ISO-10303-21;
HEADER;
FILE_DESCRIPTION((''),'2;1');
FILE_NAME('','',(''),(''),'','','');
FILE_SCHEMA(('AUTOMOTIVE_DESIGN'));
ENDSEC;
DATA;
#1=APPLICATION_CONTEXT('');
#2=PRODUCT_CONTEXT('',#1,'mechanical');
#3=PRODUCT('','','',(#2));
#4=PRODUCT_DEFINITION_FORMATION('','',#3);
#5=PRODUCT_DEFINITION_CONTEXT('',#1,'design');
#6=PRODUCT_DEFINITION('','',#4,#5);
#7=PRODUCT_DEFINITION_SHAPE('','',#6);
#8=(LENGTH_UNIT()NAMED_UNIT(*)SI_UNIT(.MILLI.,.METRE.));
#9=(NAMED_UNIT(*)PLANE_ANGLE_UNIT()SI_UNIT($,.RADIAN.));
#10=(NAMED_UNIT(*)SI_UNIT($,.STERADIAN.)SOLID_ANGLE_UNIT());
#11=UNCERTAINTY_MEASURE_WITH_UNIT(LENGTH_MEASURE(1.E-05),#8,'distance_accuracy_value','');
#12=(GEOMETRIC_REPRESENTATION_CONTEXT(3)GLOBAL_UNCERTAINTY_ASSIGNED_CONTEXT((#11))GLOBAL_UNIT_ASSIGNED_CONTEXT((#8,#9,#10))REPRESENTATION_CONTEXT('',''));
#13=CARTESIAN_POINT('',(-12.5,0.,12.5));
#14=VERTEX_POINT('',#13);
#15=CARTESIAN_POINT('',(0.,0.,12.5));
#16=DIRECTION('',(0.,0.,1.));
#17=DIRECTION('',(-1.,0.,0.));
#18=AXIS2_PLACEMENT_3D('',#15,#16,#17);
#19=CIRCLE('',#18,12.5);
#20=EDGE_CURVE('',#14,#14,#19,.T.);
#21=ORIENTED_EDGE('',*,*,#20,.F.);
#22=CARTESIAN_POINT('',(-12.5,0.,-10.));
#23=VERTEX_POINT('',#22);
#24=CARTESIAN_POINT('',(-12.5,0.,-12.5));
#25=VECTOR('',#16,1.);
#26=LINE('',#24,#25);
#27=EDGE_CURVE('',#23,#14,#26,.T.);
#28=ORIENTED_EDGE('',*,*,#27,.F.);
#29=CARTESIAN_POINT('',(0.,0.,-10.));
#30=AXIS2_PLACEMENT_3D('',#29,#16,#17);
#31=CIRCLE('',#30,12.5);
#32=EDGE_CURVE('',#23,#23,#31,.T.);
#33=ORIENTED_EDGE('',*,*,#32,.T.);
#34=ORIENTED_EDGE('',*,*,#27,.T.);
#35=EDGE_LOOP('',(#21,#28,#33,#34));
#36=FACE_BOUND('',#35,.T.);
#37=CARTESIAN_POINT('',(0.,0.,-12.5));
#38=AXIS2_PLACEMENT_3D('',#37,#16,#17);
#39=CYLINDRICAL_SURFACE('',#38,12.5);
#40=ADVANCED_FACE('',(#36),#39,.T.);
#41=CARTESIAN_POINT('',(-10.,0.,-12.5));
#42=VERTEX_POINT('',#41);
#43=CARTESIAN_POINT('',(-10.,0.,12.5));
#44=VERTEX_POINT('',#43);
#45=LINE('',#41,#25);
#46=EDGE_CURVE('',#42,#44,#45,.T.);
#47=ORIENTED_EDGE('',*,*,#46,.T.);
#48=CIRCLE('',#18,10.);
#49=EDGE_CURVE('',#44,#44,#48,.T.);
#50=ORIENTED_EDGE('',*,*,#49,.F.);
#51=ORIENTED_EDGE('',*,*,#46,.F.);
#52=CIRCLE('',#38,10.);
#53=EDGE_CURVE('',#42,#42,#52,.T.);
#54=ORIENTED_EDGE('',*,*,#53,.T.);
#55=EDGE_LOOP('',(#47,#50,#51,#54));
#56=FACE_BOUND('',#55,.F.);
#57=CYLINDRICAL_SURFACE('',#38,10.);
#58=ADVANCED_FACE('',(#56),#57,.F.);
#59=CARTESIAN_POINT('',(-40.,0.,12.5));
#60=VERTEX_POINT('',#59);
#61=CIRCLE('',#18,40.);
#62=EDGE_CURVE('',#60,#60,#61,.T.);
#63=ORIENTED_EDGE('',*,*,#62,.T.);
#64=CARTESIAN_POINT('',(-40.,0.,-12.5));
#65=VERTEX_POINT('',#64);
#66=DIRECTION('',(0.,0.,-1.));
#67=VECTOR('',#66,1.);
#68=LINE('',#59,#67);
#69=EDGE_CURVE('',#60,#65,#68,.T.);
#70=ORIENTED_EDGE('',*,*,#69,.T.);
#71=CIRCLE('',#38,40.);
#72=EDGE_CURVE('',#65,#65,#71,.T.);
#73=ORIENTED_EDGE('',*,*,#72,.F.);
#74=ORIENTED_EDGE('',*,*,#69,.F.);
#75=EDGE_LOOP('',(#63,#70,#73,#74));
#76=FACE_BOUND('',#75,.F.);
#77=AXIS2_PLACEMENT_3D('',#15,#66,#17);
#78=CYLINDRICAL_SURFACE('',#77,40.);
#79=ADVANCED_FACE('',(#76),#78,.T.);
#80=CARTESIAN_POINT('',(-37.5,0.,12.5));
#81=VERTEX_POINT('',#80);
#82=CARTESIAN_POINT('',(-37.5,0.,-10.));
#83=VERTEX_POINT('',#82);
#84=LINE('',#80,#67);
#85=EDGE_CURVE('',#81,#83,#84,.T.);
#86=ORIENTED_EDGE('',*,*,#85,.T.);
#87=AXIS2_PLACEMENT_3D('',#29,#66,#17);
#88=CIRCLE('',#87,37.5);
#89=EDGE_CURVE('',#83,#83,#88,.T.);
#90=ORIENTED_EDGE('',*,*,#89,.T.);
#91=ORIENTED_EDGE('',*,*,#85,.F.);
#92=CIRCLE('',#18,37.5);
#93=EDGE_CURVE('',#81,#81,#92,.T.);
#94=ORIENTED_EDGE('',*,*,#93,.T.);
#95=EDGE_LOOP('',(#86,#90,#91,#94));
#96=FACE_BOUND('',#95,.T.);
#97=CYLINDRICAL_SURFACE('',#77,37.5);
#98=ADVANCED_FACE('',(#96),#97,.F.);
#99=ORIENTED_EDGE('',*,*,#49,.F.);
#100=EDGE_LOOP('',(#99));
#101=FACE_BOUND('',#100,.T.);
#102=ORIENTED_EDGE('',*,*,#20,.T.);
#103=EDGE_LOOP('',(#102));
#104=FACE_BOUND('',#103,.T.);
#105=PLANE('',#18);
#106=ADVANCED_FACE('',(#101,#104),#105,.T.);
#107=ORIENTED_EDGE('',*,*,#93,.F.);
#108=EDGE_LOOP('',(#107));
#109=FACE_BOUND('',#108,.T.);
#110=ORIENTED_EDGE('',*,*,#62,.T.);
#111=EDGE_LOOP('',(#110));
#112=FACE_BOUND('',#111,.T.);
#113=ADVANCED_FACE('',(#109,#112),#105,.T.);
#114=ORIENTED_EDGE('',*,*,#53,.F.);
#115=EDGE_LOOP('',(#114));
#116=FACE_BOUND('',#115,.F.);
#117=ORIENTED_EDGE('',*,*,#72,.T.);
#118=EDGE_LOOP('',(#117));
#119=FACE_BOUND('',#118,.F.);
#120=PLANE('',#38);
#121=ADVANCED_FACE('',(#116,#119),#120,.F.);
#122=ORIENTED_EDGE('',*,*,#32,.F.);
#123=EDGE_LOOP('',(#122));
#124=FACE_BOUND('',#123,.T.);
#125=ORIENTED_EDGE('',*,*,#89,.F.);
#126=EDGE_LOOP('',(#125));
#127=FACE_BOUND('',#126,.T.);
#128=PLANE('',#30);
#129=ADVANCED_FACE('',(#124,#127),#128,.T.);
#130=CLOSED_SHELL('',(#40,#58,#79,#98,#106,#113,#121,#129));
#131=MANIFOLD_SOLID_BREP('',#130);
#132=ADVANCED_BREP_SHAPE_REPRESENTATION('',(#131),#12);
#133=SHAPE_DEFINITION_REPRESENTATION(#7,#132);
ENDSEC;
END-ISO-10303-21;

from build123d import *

# Parameters (mm, degrees)
F0_W = 30
F0_H = 12.5
F2_T = -2.5


with BuildPart() as f1:
    # F0 (on Front) → F1 (revolve)
    with BuildSketch(Plane.XZ):
        with Locations((-25, 6.25)):
            Rectangle(F0_W, F0_H)
        with Locations((-25, -6.25)):
            Rectangle(F0_W, F0_H)
    revolve(axis=Axis((0, 0, 25), (0, 0, 1)))

    # F2
    f2_openings = [f1.faces().sort_by_distance(p)[0] for p in [
        (11.131371, 0, 12.5),
    ]]
    offset(amount=F2_T, openings=f2_openings)


solid = f1.part
